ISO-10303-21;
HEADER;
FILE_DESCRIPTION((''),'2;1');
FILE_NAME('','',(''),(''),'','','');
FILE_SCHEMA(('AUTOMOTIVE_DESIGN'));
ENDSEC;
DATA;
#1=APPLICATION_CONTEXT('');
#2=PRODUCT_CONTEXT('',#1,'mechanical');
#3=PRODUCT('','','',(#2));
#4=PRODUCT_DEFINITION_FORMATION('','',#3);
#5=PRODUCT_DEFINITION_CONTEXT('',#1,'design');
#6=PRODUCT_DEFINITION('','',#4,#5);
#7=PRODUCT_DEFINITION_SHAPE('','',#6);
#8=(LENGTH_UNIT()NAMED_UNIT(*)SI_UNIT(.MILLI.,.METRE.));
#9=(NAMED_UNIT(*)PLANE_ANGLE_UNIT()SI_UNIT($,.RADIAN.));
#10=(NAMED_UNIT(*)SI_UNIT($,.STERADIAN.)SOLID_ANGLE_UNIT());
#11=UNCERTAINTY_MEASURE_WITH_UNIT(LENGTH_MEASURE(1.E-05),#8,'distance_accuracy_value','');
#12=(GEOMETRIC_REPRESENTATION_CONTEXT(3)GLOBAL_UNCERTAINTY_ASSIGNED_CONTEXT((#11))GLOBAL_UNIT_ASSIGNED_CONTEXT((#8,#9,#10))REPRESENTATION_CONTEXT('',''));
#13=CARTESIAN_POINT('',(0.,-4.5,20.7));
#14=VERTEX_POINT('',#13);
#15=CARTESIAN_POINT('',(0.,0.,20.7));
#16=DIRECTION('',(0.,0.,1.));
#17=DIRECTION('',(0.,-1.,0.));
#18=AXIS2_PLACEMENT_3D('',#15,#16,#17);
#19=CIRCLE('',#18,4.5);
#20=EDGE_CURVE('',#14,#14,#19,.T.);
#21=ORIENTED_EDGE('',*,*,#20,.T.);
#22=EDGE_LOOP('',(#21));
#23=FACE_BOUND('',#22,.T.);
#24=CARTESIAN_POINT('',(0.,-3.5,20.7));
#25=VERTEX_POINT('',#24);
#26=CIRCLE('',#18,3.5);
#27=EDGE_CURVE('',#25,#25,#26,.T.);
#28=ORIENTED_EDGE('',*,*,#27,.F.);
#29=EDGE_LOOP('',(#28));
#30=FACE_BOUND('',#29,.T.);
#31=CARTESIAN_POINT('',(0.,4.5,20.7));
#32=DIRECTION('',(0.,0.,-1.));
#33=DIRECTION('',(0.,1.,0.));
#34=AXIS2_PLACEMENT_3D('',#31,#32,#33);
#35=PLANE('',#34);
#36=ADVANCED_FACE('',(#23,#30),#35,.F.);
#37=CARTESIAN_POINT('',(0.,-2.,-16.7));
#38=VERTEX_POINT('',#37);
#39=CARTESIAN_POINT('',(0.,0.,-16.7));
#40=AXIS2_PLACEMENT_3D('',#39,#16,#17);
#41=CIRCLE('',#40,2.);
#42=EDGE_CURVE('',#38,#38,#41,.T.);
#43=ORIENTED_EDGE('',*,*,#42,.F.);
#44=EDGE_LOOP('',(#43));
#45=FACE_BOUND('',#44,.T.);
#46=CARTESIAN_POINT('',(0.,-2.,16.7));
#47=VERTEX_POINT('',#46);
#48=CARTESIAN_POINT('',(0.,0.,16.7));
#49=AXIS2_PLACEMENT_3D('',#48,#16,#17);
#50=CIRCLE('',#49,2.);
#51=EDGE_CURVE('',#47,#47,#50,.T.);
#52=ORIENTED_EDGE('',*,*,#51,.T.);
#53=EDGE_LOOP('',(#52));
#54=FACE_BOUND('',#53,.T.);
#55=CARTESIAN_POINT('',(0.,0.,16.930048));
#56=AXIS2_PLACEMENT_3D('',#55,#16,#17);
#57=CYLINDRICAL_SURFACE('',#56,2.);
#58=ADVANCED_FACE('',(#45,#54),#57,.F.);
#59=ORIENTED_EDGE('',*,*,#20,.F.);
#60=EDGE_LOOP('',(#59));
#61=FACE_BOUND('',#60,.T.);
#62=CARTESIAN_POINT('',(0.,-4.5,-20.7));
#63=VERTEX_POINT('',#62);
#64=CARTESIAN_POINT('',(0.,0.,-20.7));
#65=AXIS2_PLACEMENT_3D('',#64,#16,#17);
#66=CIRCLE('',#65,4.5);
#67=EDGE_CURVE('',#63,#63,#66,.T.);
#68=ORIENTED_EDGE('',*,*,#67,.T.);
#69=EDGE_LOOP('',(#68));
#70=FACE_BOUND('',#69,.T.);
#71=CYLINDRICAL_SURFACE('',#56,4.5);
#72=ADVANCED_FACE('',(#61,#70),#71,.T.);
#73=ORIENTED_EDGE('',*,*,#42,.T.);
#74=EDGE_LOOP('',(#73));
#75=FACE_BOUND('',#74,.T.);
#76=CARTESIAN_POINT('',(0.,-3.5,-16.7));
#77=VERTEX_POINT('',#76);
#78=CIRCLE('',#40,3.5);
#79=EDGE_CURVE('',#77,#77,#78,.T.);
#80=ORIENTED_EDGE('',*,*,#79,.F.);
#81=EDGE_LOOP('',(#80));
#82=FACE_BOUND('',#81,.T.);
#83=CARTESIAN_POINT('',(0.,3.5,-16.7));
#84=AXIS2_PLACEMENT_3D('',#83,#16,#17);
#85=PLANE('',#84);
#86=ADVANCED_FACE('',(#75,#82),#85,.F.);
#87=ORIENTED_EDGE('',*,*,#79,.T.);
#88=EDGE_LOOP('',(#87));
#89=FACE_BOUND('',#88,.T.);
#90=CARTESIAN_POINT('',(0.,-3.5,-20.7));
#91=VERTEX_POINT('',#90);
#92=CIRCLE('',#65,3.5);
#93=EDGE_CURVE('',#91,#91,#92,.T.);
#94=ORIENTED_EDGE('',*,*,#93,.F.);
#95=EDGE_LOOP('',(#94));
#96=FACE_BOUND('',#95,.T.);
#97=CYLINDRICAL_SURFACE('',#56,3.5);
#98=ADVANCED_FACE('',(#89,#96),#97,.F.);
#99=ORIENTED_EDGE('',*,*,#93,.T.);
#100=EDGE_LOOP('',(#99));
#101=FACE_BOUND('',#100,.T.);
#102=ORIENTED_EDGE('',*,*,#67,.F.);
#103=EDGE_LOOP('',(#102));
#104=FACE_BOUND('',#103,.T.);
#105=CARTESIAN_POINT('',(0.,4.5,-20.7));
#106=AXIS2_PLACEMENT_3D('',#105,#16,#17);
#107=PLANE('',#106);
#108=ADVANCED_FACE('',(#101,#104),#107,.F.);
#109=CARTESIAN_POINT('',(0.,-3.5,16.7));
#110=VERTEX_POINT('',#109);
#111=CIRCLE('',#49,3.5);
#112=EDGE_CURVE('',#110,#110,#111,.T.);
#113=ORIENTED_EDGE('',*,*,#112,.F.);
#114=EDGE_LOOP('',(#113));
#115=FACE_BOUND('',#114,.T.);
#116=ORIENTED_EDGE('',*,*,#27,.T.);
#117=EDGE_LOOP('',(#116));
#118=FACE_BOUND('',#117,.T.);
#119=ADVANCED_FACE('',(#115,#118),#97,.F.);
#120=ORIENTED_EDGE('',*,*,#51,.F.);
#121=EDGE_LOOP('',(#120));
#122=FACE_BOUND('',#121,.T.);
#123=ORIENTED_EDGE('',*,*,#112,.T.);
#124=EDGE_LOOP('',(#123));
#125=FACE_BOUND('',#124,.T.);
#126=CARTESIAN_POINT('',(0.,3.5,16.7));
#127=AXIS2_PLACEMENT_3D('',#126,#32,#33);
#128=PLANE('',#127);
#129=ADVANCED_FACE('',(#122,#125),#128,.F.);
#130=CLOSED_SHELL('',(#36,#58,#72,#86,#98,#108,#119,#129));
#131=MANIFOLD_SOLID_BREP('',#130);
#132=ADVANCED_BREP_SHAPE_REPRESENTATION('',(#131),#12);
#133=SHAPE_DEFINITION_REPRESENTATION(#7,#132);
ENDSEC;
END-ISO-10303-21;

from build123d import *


with BuildPart() as part:
    # Sketch1 → Revolve1 (revolve)
    with BuildSketch(Plane(origin=(0, 0, 0), x_dir=(0, 0, -1), z_dir=(1, 0, 0)), mode=Mode.PRIVATE) as revolve1_sk:
        Polygon((16.7, 3.5), (20.7, 3.5), (20.7, 4.5), (-20.7, 4.5), (-20.7, 3.5), (-16.7, 3.5), (-16.7, 2), (16.7, 2), align=None)
    revolve(revolve1_sk.sketch.rotate(Axis((0, 0, 16.930047934), (0, 0, -1)), 180), axis=Axis((0, 0, 16.930047934), (0, 0, -1)))


solid = part.part
